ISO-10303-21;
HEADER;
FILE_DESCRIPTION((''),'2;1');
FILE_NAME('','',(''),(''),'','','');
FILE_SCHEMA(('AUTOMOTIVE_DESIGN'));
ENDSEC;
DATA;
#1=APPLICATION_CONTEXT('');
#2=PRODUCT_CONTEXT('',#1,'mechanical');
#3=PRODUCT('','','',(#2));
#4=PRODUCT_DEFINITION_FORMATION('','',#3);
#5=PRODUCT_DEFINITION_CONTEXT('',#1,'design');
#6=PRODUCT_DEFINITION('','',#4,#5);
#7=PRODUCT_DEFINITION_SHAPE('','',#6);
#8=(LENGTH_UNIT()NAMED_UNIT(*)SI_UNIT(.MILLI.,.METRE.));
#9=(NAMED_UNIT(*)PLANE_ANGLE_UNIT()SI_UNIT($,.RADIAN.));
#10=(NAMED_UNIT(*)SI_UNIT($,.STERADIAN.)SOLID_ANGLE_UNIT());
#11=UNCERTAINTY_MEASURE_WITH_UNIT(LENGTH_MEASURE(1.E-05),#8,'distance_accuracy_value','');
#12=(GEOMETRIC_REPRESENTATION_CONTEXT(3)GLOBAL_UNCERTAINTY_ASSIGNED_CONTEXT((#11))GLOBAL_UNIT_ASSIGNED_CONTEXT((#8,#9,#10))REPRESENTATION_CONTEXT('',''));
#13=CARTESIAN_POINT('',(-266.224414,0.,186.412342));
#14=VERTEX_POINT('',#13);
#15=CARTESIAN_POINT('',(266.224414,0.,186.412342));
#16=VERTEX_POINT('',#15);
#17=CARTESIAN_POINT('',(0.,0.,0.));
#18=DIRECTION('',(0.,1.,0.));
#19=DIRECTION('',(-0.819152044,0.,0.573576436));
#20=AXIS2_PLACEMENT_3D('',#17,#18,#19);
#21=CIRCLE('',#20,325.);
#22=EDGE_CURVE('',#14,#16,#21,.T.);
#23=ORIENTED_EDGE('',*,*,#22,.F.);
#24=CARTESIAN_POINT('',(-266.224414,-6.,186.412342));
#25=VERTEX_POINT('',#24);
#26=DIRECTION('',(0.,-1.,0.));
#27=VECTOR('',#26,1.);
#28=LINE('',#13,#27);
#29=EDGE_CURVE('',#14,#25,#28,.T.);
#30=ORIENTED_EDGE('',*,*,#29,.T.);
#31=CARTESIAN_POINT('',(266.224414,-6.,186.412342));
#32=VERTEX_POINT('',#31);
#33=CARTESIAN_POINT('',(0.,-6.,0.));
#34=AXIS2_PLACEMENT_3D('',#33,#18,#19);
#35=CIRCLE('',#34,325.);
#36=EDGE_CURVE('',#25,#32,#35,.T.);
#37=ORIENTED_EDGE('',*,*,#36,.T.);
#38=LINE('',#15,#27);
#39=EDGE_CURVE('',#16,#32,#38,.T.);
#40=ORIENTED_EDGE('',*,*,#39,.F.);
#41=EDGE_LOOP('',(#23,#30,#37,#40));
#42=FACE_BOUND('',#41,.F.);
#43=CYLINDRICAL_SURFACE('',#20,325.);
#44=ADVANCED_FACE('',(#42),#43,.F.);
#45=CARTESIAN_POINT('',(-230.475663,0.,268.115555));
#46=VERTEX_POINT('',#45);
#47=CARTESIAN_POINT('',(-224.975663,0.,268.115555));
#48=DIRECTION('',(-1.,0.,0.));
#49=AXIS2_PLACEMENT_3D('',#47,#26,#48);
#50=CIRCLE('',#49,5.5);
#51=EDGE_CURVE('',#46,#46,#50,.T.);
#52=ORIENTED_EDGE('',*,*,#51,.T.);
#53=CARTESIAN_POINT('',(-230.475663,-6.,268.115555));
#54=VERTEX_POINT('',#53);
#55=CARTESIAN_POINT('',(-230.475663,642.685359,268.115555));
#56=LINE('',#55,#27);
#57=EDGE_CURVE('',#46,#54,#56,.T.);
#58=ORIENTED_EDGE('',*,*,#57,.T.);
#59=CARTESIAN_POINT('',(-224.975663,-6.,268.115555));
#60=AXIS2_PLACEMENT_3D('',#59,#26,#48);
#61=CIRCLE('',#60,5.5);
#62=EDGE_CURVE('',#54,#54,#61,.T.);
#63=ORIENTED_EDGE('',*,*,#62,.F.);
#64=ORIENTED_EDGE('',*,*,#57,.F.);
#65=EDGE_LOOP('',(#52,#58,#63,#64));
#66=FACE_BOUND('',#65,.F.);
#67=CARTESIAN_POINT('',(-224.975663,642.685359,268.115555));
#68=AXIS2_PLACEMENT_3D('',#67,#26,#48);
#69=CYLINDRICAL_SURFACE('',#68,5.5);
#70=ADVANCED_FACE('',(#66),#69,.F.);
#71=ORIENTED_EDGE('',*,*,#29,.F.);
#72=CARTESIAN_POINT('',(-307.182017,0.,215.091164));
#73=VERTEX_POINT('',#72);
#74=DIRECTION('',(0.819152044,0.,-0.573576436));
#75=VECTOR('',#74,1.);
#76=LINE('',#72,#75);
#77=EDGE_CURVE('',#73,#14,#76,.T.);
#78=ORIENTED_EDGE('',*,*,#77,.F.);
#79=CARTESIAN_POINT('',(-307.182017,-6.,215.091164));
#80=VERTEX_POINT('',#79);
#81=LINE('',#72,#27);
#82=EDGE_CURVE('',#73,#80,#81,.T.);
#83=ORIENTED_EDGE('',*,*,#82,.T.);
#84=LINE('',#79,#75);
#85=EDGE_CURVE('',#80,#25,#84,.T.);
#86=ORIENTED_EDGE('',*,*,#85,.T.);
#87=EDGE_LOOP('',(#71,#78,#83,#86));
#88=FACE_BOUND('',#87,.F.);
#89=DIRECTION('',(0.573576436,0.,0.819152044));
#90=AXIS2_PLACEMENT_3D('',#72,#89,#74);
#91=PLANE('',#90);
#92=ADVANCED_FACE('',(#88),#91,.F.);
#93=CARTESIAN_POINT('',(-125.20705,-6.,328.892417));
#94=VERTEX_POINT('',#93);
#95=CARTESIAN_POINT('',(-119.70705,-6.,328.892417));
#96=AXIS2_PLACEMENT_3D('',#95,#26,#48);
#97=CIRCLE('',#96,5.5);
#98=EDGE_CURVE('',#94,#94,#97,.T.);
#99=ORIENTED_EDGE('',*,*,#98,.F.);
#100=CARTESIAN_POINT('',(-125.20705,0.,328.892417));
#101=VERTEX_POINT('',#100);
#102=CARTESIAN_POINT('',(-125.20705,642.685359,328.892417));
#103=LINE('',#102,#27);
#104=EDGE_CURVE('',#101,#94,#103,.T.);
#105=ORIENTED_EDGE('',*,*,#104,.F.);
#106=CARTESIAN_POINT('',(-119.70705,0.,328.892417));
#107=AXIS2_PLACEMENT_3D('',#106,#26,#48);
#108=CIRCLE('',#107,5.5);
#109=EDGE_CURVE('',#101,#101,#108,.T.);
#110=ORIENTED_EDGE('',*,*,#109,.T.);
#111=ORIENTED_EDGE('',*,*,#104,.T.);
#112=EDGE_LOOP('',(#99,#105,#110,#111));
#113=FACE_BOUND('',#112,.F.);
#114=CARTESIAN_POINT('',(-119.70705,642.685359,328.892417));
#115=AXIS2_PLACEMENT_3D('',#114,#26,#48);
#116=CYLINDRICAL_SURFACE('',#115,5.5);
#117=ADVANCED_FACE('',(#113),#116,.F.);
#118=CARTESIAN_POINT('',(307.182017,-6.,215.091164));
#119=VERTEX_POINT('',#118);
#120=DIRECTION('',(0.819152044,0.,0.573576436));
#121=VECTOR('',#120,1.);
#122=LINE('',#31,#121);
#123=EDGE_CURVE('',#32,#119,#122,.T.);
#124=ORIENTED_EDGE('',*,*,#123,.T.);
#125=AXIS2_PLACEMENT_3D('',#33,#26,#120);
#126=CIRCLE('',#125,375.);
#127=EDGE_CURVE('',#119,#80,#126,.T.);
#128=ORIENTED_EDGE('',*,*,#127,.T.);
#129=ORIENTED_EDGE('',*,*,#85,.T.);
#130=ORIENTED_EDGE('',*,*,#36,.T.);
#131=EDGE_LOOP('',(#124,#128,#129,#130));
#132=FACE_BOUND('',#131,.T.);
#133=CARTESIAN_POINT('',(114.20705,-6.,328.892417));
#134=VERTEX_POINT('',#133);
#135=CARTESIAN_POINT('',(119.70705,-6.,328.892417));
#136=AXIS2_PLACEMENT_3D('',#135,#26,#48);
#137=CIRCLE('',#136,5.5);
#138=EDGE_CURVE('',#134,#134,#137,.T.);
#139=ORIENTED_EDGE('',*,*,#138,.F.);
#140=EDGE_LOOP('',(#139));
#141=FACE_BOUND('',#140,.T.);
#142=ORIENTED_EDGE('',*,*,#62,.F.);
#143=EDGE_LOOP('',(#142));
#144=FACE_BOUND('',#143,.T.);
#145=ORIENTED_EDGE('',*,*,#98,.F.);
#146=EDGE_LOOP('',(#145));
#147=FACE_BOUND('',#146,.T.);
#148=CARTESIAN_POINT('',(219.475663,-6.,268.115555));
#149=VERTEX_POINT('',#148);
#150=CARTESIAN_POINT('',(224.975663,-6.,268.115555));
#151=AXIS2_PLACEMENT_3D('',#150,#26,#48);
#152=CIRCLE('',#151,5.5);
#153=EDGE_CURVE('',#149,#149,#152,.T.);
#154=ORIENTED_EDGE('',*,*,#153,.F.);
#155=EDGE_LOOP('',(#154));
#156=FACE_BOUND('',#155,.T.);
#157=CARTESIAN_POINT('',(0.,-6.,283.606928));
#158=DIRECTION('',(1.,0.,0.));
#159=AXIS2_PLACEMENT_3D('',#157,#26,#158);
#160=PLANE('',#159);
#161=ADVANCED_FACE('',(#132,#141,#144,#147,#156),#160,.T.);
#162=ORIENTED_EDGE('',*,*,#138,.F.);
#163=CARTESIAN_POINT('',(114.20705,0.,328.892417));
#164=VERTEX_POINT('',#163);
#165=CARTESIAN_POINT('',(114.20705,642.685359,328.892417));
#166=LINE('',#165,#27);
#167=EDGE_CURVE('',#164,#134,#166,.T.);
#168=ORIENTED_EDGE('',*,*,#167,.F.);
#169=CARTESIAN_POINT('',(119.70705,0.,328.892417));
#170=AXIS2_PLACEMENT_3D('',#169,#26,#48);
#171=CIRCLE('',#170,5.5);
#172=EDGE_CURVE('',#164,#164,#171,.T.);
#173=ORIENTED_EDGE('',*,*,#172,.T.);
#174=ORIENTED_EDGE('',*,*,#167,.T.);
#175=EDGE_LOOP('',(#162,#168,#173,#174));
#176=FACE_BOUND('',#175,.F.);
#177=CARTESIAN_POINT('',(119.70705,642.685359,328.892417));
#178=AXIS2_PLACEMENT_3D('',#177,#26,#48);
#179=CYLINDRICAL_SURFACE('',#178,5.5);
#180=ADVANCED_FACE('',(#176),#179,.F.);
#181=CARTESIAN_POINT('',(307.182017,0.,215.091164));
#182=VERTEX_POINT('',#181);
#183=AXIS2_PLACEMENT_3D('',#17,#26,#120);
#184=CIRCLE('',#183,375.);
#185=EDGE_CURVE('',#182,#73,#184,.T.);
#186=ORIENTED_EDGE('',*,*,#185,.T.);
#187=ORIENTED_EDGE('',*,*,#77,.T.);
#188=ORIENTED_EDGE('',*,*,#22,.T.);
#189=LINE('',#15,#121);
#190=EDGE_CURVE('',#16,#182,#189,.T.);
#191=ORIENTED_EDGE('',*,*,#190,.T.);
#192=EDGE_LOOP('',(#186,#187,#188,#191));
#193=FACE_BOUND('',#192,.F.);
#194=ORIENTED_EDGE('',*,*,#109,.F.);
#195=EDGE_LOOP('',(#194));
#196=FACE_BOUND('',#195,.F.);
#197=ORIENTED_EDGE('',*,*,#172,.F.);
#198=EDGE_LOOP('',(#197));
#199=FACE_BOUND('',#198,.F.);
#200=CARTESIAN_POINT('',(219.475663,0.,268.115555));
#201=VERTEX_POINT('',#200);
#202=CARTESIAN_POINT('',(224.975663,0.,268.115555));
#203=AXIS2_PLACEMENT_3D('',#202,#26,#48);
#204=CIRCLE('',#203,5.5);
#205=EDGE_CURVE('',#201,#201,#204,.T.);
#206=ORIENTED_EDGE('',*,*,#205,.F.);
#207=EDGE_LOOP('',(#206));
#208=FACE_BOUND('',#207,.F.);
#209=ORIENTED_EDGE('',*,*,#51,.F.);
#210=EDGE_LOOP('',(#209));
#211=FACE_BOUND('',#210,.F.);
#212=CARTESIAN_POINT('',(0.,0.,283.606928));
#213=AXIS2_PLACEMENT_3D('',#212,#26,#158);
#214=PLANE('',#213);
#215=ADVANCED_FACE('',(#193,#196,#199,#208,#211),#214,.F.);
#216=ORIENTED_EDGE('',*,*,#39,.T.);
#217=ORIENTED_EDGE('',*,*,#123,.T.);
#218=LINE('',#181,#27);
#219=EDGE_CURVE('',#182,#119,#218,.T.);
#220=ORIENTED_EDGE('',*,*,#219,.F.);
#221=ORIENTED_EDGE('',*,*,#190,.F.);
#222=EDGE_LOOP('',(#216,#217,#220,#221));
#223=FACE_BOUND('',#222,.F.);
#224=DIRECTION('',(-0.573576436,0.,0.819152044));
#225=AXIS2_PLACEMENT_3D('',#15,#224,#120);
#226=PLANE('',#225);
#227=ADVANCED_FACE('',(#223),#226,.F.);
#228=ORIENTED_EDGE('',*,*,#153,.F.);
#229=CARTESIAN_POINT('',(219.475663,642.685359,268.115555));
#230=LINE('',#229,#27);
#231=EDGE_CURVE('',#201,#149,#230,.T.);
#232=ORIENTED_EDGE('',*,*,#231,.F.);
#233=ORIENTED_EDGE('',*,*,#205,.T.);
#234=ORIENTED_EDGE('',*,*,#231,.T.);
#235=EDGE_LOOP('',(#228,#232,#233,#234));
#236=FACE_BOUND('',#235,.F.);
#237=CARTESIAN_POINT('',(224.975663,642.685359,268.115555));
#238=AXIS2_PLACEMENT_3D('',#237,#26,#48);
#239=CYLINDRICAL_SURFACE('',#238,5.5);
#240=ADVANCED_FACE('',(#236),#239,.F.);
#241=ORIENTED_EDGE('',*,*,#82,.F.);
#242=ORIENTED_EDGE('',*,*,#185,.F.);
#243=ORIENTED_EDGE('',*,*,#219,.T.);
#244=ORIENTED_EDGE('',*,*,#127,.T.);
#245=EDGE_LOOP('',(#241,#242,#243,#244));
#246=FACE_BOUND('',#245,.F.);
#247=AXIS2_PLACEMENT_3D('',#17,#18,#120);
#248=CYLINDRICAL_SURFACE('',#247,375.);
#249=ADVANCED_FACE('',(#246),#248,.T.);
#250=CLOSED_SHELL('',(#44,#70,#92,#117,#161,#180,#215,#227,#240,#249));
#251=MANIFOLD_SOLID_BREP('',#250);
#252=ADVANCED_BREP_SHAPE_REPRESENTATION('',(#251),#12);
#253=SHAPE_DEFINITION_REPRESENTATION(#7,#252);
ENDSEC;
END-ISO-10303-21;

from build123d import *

# Parameters (mm, degrees)
F1_DEPTH = 6
F2_D     = 11


with BuildPart() as f1:
    # F0 (on Front) → F1 (new body)
    with BuildSketch(Plane.XZ):
        with BuildLine():
            Line((266.2244143939, 186.4123418141), (307.1820166084, 215.0911636316))
            ThreePointArc((307.1820166084, 215.0911636316), (0, 375), (-307.1820166084, 215.0911636316))
            Line((-307.1820166084, 215.0911636316), (-266.2244143939, 186.4123418141))
            ThreePointArc((-266.2244143939, 186.4123418141), (0, 325), (266.2244143939, 186.4123418141))
        make_face()
    extrude(amount=F1_DEPTH)

    # F2 (through all)
    with Locations(Plane(origin=(0, 0, 0), x_dir=(1, 0, 0), z_dir=(0, 1, 0))):
        with Locations((-224.9756633903, -268.1155550916), (-119.707050164, -328.8924172751), (119.707050164, -328.8924172751), (224.9756633903, -268.1155550916)):
            Hole(F2_D / 2)


solid = f1.part
